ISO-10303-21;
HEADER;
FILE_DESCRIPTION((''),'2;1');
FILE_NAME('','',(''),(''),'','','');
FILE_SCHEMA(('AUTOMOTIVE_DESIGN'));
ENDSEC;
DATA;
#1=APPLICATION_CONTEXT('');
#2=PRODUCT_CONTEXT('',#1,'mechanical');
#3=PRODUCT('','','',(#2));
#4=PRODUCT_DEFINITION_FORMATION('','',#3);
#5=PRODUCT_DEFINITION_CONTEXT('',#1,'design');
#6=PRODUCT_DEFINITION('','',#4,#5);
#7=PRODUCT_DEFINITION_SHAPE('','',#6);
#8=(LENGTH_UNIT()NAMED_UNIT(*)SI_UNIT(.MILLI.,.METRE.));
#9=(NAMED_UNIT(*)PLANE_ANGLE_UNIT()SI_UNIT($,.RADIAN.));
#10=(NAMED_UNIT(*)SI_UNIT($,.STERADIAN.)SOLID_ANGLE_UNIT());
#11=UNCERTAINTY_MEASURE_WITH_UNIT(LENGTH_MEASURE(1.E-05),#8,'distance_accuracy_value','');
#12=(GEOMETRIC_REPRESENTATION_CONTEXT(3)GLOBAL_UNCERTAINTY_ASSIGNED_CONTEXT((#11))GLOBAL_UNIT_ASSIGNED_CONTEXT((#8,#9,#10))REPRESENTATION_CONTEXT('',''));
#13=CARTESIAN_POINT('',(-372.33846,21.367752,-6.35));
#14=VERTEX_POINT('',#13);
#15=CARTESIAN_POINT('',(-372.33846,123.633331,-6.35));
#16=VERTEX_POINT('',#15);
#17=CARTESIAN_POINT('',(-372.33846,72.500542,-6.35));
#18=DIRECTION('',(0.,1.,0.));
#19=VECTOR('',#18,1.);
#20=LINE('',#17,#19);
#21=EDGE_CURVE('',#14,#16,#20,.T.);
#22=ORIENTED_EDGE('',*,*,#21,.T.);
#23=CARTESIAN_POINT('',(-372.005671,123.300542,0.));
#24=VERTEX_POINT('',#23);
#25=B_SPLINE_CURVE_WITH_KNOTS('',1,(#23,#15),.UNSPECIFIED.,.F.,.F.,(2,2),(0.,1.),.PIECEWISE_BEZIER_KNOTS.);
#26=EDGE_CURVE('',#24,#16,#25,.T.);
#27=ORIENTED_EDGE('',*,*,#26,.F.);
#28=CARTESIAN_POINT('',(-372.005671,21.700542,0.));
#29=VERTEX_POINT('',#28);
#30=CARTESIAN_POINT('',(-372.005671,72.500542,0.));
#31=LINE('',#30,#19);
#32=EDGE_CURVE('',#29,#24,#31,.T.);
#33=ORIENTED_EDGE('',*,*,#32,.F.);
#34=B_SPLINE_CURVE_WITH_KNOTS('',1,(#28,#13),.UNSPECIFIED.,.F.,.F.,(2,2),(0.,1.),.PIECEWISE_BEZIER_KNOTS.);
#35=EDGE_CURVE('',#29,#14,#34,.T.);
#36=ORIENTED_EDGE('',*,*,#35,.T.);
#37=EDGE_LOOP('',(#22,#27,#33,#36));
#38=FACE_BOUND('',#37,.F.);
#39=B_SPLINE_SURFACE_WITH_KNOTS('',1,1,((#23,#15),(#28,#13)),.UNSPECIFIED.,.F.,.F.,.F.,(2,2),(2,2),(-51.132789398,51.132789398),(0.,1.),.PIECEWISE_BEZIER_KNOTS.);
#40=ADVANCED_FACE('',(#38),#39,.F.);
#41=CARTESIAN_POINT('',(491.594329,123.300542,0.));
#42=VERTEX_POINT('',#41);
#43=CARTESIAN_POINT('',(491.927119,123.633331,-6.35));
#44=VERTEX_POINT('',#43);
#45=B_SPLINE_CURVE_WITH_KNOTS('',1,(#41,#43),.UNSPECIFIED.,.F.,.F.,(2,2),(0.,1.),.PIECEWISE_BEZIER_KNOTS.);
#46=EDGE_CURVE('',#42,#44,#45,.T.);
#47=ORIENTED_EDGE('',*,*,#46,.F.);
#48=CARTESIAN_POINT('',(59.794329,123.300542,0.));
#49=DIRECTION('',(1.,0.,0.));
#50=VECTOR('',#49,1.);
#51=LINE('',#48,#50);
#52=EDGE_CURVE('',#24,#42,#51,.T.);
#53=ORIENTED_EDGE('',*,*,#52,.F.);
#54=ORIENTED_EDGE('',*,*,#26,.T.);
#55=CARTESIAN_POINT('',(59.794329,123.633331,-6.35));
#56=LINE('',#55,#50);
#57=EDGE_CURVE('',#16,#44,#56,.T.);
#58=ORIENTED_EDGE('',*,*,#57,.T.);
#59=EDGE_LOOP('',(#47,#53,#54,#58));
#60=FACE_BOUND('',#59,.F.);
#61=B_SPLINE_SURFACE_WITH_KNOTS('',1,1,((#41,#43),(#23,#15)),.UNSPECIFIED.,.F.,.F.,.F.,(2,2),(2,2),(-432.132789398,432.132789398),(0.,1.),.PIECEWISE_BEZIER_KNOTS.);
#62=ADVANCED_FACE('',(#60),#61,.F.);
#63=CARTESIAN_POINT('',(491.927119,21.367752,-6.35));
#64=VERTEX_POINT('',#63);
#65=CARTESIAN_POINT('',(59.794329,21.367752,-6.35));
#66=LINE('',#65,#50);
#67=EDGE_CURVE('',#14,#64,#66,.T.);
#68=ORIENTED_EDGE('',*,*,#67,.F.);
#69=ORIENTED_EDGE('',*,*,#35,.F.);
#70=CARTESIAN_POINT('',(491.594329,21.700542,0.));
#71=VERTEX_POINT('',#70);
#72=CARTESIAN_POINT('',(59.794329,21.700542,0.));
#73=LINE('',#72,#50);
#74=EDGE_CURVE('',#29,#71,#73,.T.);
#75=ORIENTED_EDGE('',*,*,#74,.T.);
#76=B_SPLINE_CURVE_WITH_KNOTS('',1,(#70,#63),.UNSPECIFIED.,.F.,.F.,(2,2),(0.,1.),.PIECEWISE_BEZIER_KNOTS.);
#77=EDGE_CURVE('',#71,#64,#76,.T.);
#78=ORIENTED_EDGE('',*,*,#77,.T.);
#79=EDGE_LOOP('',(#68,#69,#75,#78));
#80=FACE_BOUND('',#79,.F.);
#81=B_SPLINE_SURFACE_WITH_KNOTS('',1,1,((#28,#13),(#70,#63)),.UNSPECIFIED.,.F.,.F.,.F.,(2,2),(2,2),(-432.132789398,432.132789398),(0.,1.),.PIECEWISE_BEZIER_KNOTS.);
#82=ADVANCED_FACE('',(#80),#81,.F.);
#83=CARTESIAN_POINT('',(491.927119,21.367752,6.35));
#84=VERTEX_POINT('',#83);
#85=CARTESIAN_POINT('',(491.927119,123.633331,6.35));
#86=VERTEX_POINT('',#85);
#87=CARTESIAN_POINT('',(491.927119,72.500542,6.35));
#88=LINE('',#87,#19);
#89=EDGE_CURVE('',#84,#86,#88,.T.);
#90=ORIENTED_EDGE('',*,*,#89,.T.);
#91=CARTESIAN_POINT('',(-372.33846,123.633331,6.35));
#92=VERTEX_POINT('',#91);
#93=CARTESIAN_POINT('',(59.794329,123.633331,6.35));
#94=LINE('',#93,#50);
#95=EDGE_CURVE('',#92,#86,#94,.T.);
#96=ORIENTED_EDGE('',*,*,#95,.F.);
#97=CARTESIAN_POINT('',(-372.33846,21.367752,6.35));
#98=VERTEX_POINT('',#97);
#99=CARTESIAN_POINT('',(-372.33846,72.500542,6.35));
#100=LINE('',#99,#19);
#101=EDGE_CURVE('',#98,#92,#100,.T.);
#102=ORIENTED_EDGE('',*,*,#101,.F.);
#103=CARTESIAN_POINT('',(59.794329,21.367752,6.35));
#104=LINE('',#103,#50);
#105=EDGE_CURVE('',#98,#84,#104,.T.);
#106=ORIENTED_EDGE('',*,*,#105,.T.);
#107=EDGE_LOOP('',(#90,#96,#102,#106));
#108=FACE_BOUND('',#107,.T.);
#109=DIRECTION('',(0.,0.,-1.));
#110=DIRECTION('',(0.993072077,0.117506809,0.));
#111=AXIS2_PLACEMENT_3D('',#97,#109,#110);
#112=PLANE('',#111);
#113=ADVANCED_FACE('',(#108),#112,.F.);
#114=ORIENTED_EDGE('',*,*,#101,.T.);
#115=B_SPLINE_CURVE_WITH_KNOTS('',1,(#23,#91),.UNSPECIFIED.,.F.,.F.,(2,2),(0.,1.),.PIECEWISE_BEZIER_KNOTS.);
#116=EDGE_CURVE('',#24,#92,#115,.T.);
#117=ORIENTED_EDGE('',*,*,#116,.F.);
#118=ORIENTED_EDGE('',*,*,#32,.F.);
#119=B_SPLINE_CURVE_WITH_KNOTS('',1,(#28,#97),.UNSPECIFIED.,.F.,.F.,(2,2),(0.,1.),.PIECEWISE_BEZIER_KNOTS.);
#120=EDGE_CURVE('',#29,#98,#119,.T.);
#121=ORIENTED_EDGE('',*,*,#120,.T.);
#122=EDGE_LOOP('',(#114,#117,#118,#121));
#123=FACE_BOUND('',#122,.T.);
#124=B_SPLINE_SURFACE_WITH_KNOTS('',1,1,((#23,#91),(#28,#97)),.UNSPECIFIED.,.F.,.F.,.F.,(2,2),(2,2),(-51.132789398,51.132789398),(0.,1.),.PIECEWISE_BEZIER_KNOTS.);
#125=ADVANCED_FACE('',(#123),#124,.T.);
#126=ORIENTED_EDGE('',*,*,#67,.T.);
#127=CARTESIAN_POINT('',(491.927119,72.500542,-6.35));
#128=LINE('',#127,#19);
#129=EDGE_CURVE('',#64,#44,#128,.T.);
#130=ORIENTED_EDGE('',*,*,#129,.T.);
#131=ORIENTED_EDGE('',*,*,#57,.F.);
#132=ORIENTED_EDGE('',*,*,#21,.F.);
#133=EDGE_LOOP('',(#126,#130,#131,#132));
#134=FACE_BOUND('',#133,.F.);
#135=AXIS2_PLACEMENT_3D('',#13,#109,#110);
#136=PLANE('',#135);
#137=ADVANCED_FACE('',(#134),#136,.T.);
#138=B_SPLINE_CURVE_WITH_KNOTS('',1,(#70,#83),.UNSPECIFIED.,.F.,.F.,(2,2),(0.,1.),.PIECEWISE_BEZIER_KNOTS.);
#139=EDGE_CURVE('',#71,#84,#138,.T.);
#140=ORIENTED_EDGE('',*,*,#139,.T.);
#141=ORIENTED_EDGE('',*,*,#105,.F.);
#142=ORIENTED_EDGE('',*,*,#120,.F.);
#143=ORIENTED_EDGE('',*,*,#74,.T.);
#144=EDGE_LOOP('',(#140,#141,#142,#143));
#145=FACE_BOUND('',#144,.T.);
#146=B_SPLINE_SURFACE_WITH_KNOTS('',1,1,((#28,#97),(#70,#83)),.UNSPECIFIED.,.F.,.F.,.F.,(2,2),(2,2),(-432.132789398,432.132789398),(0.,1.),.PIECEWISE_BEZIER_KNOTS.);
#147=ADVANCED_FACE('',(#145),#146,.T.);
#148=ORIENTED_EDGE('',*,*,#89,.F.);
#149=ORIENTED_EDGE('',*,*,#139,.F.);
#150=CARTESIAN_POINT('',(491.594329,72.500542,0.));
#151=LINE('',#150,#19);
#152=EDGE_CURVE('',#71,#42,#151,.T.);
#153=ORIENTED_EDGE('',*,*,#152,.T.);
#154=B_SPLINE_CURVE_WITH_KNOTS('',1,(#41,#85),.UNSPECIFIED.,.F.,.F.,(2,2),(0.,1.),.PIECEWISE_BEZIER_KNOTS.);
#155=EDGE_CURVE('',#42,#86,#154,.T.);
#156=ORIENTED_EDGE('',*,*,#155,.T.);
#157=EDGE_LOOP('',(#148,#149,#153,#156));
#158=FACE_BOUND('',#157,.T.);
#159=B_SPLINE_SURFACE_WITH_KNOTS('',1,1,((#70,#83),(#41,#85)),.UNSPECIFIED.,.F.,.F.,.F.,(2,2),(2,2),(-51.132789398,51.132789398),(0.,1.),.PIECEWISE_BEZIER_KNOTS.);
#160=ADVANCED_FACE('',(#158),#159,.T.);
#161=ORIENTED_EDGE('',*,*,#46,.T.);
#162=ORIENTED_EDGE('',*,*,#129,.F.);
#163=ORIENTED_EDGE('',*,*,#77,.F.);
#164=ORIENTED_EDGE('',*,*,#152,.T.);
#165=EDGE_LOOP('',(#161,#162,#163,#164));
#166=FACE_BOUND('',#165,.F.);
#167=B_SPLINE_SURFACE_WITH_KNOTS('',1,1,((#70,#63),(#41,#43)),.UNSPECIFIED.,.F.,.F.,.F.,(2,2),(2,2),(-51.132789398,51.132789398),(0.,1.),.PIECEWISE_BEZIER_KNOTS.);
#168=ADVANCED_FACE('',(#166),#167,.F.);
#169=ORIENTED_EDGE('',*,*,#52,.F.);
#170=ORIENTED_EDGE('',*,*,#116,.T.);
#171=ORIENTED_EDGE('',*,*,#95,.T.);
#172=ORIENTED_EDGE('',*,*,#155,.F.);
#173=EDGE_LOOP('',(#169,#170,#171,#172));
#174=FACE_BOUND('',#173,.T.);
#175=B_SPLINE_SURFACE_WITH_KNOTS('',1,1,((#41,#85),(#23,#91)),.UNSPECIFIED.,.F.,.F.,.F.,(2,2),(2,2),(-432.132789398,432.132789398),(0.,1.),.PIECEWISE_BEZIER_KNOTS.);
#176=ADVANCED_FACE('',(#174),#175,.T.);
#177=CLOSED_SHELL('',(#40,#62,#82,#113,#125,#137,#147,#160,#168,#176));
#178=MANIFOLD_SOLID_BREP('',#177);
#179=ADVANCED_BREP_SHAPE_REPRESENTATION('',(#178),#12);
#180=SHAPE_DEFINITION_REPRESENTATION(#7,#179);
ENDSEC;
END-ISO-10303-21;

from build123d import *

# Parameters (mm, degrees)
F0_W     = 863.6
F0_H     = 101.6
F1_DEPTH = 6.35
F1_TAPER = -3


with BuildPart() as f1:
    # F0 (on Top) → F1 (new body, symmetric)
    with BuildSketch(Plane.XY):
        with Locations((59.7943292466, 72.5005418062)):
            Rectangle(F0_W, F0_H)
    extrude(amount=F1_DEPTH, both=True, taper=F1_TAPER)


solid = f1.part
